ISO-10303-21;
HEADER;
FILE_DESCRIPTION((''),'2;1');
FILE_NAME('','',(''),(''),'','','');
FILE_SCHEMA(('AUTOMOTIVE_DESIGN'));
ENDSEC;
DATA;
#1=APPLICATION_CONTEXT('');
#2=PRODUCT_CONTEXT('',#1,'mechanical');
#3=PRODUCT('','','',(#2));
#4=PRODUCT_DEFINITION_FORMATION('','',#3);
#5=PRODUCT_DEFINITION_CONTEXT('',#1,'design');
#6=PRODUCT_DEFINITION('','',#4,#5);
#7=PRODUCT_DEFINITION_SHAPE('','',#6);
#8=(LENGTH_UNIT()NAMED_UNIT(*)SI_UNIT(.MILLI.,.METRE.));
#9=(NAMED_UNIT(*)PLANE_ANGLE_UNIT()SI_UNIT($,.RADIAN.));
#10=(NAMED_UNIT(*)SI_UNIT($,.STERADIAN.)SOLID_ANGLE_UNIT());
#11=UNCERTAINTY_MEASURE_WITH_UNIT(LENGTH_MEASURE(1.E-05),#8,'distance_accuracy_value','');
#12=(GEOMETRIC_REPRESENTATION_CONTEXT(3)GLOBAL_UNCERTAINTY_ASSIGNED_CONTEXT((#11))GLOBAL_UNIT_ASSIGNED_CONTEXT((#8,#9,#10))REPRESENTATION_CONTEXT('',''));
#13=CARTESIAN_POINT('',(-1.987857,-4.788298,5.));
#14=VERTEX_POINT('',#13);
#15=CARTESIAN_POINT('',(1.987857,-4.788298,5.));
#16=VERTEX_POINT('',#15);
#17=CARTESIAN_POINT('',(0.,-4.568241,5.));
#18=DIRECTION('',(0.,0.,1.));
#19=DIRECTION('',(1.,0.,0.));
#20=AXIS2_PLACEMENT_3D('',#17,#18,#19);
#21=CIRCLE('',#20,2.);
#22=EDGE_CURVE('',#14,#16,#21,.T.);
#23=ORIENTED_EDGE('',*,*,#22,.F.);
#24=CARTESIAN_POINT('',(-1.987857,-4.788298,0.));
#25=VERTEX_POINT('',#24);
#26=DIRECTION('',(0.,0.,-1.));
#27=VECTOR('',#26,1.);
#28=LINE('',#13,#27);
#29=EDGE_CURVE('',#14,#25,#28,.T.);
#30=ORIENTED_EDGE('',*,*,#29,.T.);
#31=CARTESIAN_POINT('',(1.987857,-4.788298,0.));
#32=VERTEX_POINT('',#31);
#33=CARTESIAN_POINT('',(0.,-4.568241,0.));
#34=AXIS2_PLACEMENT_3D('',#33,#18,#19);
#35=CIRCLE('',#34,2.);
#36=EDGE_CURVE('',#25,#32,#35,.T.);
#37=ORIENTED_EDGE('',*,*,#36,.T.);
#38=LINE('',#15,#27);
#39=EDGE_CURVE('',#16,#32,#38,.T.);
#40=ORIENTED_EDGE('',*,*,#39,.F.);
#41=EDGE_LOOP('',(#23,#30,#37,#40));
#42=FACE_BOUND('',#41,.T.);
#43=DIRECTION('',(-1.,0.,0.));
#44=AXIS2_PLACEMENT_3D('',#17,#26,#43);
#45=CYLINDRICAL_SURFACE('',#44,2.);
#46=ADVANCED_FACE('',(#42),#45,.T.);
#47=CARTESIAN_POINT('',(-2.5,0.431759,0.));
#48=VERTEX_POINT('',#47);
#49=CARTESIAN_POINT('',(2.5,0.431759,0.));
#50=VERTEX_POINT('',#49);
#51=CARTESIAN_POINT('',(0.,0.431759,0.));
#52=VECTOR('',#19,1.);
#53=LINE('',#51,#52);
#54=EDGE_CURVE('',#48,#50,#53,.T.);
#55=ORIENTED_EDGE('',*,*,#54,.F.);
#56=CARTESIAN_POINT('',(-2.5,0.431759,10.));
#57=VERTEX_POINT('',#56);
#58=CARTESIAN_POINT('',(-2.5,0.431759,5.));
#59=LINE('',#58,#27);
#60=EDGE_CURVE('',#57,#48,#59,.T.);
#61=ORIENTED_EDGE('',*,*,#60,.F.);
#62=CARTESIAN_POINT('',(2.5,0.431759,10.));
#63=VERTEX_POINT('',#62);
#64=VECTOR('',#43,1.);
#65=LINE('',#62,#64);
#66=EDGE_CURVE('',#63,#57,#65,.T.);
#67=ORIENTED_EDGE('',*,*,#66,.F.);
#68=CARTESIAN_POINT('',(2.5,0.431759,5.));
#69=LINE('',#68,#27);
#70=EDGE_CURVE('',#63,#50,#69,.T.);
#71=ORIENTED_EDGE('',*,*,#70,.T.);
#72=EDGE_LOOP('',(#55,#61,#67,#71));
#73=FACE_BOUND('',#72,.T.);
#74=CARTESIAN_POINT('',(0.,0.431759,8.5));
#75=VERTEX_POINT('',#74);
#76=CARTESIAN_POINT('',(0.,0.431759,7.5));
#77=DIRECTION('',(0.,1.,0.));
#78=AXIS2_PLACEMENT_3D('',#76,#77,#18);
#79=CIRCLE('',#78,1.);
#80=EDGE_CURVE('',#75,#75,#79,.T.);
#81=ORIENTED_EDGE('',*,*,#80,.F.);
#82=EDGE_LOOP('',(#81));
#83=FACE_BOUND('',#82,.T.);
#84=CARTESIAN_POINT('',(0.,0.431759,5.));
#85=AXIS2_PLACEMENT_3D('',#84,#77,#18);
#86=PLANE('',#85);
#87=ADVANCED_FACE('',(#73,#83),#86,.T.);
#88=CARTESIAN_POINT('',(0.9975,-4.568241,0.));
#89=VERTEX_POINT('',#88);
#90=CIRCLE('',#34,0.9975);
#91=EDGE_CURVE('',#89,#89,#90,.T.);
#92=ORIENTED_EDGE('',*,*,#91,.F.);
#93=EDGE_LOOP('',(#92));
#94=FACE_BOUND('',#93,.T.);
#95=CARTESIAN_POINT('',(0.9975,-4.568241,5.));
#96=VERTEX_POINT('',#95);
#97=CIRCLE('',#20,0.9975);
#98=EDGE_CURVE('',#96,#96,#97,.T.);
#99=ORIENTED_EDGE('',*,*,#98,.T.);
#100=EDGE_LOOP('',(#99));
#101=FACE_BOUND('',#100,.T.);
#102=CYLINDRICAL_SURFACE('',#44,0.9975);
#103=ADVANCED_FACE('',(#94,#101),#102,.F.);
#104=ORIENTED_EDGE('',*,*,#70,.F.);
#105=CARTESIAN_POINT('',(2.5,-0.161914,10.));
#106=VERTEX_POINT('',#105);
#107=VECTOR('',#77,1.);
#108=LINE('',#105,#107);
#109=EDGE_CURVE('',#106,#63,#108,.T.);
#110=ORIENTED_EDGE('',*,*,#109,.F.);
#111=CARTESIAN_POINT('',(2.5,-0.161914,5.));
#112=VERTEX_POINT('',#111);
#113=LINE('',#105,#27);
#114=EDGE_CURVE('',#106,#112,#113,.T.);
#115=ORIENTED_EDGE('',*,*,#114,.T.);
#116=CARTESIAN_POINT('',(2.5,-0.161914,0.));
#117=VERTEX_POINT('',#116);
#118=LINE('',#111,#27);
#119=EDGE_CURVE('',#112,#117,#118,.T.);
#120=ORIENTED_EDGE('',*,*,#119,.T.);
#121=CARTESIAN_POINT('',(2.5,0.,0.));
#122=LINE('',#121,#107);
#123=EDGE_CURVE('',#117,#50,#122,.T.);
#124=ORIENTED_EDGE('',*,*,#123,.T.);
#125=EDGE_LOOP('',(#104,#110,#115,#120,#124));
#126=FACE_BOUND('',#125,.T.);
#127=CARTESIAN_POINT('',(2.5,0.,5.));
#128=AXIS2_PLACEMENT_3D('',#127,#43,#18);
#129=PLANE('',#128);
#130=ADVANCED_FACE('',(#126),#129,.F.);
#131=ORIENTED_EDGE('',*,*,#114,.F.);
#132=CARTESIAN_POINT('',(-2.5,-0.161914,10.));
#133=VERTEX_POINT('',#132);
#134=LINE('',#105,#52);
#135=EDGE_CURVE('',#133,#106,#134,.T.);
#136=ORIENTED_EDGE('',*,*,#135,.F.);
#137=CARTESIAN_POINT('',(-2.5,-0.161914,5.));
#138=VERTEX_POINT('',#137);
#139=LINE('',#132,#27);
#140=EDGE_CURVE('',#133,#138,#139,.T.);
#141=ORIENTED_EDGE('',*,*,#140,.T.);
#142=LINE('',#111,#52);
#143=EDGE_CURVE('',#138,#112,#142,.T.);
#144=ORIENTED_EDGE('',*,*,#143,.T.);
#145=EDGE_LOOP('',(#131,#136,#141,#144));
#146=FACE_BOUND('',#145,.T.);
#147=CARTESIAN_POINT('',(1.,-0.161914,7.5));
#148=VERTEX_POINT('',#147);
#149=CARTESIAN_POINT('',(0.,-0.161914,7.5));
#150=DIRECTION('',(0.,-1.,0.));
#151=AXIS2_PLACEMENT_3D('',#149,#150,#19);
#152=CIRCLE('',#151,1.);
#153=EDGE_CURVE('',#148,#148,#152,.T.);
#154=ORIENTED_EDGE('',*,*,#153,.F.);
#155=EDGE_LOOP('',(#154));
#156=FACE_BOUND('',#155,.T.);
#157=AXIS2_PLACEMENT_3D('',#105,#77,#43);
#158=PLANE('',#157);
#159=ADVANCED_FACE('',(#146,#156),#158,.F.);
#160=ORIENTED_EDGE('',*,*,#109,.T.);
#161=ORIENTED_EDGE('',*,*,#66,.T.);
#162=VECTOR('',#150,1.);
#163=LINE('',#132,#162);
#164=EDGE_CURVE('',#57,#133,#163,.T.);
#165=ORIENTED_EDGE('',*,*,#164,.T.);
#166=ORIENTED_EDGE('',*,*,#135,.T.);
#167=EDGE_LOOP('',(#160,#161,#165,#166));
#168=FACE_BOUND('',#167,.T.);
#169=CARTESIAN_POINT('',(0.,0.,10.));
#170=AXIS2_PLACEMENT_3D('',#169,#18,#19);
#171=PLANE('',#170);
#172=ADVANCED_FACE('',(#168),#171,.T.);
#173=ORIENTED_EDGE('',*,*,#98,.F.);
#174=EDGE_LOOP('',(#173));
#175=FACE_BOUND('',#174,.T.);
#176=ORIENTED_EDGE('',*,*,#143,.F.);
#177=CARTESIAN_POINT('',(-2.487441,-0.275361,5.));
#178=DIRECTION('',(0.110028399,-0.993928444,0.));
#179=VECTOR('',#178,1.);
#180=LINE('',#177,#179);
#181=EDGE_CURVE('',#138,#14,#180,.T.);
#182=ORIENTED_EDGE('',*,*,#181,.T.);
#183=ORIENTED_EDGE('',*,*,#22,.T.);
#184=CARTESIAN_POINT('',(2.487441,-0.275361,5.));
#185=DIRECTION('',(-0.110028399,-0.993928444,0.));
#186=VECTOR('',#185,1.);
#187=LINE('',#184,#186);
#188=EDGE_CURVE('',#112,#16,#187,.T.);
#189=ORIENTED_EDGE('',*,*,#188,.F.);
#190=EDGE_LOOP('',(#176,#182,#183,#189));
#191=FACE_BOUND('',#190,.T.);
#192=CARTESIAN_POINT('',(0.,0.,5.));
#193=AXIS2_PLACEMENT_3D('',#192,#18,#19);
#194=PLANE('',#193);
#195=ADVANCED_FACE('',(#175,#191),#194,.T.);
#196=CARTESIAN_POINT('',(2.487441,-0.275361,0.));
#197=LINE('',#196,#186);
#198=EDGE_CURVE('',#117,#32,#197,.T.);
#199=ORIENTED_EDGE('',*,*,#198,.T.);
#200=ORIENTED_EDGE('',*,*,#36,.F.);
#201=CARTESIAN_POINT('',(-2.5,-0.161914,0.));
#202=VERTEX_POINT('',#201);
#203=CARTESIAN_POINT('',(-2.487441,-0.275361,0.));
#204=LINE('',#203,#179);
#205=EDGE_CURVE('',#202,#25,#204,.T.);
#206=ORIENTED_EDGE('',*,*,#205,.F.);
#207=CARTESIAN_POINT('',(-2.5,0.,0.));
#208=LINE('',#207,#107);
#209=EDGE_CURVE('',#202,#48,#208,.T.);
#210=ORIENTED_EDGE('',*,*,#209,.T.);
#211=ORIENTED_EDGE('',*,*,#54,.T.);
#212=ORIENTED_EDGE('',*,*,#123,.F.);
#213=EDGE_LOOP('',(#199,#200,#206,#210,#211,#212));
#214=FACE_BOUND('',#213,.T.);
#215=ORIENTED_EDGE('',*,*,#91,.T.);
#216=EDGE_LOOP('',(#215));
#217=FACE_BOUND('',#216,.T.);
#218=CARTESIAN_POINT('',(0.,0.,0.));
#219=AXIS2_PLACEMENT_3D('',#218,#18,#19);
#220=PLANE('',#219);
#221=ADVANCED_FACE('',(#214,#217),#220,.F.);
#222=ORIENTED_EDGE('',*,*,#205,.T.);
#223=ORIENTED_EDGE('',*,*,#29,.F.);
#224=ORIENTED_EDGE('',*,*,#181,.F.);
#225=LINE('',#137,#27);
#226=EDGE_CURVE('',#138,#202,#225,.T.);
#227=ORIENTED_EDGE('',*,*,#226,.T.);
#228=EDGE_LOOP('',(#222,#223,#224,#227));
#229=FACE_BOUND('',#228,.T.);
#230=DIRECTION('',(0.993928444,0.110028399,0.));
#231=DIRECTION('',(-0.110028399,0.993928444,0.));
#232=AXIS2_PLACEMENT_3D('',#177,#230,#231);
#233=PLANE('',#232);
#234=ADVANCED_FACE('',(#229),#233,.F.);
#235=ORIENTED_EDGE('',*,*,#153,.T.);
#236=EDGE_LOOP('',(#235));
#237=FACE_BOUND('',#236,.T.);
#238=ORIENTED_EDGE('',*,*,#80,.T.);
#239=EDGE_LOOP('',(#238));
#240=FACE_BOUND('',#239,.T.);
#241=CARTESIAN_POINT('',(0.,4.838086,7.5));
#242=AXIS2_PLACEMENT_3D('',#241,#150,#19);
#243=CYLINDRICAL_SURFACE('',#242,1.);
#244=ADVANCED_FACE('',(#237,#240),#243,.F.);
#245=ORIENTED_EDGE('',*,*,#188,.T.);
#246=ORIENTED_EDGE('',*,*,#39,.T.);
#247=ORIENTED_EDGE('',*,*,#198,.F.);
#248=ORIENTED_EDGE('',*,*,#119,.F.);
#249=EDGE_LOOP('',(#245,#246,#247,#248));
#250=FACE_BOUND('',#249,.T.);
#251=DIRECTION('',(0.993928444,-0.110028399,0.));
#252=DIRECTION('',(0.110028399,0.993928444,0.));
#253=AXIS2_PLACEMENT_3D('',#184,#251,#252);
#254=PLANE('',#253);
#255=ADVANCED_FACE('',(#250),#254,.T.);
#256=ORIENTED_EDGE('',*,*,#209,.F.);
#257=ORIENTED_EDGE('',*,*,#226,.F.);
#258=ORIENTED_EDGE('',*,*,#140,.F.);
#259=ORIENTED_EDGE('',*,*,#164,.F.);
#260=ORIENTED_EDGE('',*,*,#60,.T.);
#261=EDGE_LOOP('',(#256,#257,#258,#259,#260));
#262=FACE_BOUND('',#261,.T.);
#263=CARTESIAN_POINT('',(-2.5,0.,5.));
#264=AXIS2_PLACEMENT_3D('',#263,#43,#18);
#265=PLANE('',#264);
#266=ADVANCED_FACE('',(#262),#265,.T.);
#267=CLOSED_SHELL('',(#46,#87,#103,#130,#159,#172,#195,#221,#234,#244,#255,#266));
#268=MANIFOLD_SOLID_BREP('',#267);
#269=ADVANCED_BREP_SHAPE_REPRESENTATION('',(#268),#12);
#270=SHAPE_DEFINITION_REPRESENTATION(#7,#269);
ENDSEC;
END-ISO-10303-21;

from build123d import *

# Parameters (mm, degrees)
SKETCH2_R           = 0.9975
BOSS_EXTRUDE2_DEPTH = 5
SKETCH3_W           = 5
SKETCH3_H           = 0.593672978
BOSS_EXTRUDE3_DEPTH = 5
SKETCH8_R           = 1
CUT_EXTRUDE2_DEPTH  = 5


with BuildPart() as part:
    # Sketch2 → Boss-Extrude2 (new body)
    with BuildSketch(Plane.XY):
        with BuildLine():
            Line((2.5, -0.161913769), (2.5, 0.431759209))
            Line((2.5, 0.431759209), (-2.5, 0.431759209))
            Line((-2.5, 0.431759209), (-2.5, -0.161913769))
            Line((-2.5, -0.161913769), (-1.987856888, -4.78829759))
            ThreePointArc((-1.987856888, -4.78829759), (0, -6.568240791), (1.987856888, -4.78829759))
            Line((1.987856888, -4.78829759), (2.5, -0.161913769))
        make_face()
        with Locations((0, -4.568240791)):
            Circle(SKETCH2_R, mode=Mode.SUBTRACT)
    extrude(amount=BOSS_EXTRUDE2_DEPTH)

    # Sketch3 → Boss-Extrude3 (add)
    with BuildSketch(Plane.XY.offset(5)):
        with Locations((0, 0.13492272)):
            Rectangle(SKETCH3_W, SKETCH3_H)
    extrude(amount=BOSS_EXTRUDE3_DEPTH)

    # Sketch8 → Cut-Extrude2 (cut)
    with BuildSketch(Plane(origin=(0, -0.161913769, 0), x_dir=(-1, 0, 0), z_dir=(0, -1, 0))):
        with Locations(Location((0, -7.5, 0), (0, 0, 180))):
            Circle(SKETCH8_R)
    extrude(amount=-CUT_EXTRUDE2_DEPTH, mode=Mode.SUBTRACT)


solid = part.part
